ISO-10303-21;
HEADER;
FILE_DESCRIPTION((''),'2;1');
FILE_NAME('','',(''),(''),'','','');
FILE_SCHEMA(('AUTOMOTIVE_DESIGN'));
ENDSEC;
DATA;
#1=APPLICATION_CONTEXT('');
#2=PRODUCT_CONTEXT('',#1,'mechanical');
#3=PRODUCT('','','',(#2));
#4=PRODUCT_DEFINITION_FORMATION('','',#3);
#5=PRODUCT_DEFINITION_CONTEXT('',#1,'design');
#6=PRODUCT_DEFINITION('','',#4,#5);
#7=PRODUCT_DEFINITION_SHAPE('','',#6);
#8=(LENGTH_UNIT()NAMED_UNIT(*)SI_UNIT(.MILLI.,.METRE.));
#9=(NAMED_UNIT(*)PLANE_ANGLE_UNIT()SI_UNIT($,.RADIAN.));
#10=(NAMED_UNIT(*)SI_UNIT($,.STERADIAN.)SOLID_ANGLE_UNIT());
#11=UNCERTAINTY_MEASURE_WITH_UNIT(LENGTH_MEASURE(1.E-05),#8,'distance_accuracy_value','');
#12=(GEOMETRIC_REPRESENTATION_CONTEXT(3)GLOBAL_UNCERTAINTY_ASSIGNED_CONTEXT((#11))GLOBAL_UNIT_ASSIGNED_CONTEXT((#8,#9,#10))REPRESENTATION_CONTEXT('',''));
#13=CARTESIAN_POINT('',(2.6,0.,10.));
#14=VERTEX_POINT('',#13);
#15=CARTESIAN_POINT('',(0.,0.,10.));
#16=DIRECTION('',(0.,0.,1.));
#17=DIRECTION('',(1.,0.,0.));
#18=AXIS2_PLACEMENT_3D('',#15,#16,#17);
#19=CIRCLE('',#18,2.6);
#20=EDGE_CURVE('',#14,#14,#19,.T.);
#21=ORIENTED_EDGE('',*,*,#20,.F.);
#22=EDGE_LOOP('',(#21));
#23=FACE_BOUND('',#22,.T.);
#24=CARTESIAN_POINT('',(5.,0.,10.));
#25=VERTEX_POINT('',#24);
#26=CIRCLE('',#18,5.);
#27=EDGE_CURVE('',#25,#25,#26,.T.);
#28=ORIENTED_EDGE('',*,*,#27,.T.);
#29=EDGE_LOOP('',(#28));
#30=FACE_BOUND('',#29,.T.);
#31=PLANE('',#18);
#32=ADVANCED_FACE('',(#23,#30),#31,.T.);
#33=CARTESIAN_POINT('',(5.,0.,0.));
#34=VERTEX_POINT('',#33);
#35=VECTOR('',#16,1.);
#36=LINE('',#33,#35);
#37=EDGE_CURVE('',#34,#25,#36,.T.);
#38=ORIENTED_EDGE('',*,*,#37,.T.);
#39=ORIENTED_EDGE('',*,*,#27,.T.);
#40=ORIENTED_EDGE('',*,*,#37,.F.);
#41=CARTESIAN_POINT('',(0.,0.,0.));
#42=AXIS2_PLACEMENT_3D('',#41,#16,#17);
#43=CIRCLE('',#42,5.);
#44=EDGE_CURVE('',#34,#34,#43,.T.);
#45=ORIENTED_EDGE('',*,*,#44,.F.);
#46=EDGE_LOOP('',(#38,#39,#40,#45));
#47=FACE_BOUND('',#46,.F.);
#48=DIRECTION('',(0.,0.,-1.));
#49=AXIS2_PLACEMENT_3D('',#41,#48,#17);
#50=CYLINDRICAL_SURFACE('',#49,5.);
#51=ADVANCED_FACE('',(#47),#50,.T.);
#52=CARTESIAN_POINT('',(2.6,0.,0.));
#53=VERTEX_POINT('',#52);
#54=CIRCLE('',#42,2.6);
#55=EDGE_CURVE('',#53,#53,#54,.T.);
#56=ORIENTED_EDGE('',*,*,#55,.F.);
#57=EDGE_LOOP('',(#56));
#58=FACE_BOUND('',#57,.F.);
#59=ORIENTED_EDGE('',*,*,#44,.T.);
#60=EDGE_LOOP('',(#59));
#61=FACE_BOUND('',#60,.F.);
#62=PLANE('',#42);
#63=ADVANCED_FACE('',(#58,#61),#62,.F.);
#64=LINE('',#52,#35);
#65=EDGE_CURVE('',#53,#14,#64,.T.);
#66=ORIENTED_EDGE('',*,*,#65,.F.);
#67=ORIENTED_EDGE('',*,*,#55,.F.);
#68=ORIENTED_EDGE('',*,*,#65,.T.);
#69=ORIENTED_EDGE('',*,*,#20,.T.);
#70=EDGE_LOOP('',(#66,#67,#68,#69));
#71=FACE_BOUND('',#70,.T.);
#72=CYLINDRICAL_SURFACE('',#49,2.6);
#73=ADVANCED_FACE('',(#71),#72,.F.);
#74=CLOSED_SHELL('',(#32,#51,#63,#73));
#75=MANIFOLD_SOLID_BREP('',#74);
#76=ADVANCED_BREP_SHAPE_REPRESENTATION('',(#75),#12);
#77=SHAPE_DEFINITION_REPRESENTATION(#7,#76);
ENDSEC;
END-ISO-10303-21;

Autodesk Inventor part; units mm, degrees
ref_plane "YZ Plane" through (0, 0, 0) normal (1, 0, 0) x (0, 1, 0)
ref_plane "XZ Plane" through (0, 0, 0) normal (0, 1, 0) x (-1, 0, 0)
ref_plane "XY Plane" through (0, 0, 0) normal (0, 0, 1) x (1, 0, 0)
sketch "Sketch1" plane through (0, 0, 0) normal (0, 0, 1) x (1, 0, 0)
  circle A0 centre (0, 0) radius 2.6
  circle A1 centre (0, 0) radius 5
  dimension "d0" = 5.2
  dimension "d1" = 10
extrude "Extrusion1" add sketch "Sketch1" along normal blind 10
properties part number "spessori"
